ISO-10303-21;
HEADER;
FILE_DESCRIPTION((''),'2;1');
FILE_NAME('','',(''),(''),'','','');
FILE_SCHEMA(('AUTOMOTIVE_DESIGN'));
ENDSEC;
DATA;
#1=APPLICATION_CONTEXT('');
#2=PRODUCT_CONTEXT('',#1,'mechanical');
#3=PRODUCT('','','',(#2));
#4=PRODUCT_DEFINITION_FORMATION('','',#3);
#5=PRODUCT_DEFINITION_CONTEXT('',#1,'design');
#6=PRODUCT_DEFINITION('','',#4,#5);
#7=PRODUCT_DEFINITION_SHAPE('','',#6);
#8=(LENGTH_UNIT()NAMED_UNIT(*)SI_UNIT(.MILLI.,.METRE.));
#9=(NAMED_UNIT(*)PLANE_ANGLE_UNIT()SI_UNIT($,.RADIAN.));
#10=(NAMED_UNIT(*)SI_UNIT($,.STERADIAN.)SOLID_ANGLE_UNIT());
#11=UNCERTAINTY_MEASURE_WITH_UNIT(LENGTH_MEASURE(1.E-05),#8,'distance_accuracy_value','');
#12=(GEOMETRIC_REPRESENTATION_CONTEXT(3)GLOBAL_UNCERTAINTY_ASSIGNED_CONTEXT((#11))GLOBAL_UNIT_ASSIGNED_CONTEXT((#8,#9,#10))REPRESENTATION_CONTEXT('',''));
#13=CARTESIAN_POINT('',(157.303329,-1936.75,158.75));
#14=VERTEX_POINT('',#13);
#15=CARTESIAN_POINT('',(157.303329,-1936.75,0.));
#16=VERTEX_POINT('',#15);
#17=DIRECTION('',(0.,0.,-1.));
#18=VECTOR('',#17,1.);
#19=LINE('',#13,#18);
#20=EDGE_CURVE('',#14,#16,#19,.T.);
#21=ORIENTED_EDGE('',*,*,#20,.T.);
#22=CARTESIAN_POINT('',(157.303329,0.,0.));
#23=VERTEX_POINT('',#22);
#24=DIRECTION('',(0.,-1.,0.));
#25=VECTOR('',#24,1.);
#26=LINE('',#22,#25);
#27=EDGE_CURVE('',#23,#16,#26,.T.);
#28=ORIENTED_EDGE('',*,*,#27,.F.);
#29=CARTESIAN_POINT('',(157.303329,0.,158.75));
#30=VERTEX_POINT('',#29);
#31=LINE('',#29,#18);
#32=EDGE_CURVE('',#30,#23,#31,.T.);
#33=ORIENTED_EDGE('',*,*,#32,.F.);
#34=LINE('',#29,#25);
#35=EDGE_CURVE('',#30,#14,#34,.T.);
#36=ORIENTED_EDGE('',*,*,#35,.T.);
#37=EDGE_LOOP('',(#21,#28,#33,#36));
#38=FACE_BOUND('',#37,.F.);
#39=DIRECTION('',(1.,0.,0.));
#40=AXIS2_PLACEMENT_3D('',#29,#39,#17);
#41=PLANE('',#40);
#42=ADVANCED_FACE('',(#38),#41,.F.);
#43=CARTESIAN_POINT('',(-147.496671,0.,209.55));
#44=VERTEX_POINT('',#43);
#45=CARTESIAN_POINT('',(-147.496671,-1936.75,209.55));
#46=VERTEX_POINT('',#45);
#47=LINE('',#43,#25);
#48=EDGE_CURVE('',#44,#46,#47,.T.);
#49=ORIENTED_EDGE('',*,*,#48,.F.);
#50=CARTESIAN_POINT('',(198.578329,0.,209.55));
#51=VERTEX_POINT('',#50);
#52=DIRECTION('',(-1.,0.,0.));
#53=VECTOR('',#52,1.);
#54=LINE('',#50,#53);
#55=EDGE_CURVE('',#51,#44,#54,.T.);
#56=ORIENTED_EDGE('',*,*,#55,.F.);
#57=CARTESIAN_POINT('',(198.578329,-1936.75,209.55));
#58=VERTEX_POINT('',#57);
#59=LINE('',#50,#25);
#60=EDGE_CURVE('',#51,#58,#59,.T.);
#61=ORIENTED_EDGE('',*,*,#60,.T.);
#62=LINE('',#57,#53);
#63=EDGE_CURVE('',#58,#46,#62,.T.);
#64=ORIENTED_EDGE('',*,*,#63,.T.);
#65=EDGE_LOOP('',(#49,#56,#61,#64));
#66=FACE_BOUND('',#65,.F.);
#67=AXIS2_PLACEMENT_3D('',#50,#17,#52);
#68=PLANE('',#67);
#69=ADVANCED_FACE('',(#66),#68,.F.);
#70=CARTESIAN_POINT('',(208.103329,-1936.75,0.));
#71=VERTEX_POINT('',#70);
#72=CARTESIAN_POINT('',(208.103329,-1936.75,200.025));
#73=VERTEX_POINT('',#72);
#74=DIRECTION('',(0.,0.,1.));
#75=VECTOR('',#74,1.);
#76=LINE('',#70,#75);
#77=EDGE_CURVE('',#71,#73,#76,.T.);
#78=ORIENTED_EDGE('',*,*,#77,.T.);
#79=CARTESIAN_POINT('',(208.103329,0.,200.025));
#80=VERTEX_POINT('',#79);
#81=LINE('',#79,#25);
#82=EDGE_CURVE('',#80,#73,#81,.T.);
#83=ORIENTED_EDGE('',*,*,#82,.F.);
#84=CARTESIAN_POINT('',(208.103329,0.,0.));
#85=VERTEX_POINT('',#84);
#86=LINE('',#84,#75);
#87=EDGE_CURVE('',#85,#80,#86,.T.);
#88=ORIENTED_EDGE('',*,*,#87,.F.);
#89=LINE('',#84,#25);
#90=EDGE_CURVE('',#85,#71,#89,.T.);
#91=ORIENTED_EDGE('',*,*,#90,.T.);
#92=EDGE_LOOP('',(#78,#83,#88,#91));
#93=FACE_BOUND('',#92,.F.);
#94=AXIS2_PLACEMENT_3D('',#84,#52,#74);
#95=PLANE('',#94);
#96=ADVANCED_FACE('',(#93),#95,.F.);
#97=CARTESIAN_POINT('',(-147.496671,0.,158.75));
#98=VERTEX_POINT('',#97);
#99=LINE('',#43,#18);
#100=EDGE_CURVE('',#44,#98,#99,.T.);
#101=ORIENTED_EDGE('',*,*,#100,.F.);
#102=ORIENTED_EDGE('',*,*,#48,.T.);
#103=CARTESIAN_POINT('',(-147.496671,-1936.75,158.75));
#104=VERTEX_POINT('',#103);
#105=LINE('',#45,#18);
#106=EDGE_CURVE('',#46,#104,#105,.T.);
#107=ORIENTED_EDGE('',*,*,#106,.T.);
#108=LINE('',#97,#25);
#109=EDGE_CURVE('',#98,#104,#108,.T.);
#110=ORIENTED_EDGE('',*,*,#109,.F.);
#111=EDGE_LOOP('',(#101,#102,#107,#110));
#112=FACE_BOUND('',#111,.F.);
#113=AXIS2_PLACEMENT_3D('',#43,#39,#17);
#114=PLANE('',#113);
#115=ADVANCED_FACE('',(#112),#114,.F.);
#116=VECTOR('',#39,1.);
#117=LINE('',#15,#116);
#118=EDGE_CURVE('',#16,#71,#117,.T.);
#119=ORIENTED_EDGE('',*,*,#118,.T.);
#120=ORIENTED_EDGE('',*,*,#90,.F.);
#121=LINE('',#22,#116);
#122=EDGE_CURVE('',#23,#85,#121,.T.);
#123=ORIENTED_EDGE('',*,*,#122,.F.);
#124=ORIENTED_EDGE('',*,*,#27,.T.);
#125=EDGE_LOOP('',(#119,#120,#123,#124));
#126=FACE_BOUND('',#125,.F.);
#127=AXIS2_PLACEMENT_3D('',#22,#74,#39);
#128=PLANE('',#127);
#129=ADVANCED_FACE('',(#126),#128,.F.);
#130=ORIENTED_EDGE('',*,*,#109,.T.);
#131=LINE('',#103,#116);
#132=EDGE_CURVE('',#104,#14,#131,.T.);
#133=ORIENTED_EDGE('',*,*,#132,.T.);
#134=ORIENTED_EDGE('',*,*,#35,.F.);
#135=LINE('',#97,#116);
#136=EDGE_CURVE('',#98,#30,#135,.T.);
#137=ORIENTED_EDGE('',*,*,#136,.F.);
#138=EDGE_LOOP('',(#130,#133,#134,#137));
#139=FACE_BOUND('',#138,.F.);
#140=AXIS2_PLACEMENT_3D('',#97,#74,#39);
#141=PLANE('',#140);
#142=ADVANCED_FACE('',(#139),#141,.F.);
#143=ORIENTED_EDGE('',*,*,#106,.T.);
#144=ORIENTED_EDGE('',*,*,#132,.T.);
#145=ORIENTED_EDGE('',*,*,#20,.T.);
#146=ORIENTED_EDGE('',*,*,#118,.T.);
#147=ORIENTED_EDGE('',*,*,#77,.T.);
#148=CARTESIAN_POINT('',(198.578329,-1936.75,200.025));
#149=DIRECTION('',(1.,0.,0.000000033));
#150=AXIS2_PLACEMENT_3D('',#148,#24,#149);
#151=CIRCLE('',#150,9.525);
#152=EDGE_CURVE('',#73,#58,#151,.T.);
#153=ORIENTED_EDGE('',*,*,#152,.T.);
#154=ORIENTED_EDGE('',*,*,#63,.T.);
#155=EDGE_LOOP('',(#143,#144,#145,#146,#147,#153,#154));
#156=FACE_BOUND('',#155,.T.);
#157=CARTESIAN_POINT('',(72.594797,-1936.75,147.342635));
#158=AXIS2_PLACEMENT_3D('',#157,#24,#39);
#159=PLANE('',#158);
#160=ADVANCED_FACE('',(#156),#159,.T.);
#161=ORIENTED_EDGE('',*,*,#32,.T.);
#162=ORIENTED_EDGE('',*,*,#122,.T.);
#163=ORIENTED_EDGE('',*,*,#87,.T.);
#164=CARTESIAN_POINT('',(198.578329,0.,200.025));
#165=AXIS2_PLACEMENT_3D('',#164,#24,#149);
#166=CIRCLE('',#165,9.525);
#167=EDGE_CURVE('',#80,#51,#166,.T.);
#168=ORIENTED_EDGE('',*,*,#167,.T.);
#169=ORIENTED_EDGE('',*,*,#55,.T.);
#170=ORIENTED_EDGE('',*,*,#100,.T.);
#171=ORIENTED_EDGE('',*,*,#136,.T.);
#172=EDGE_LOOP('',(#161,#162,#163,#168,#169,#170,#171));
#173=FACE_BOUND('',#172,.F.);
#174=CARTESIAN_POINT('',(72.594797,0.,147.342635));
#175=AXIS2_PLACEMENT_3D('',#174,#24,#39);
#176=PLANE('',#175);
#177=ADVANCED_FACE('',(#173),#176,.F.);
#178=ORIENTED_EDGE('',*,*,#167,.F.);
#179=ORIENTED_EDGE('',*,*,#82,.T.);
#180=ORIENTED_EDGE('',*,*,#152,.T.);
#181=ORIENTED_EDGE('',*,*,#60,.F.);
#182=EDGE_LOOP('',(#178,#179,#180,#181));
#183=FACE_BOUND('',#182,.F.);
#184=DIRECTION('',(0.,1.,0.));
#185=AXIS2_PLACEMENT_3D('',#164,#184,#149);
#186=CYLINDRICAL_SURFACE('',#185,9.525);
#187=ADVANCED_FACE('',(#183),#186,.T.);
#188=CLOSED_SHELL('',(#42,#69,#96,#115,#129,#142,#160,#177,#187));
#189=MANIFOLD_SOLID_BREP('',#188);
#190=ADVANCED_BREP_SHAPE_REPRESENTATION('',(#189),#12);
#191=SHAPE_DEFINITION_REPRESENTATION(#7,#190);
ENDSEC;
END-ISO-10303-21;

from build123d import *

# Parameters (mm, degrees)
F1_DEPTH = 1936.75


with BuildPart() as f1:
    # F0 (on Front) → F1 (new body)
    with BuildSketch(Plane.XZ):
        with BuildLine():
            Line((198.578329, 209.55), (-147.496671, 209.55))
            Line((-147.496671, 209.55), (-147.496671, 158.75))
            Line((-147.496671, 158.75), (157.303329, 158.75))
            Line((157.303329, 158.75), (157.303329, 0))
            Line((157.303329, 0), (208.103329, 0))
            Line((208.103329, 0), (208.103329, 200.025))
            ThreePointArc((208.103329, 200.025), (205.313521, 206.760192), (198.578329, 209.55))
        make_face()
    extrude(amount=F1_DEPTH)


solid = f1.part
